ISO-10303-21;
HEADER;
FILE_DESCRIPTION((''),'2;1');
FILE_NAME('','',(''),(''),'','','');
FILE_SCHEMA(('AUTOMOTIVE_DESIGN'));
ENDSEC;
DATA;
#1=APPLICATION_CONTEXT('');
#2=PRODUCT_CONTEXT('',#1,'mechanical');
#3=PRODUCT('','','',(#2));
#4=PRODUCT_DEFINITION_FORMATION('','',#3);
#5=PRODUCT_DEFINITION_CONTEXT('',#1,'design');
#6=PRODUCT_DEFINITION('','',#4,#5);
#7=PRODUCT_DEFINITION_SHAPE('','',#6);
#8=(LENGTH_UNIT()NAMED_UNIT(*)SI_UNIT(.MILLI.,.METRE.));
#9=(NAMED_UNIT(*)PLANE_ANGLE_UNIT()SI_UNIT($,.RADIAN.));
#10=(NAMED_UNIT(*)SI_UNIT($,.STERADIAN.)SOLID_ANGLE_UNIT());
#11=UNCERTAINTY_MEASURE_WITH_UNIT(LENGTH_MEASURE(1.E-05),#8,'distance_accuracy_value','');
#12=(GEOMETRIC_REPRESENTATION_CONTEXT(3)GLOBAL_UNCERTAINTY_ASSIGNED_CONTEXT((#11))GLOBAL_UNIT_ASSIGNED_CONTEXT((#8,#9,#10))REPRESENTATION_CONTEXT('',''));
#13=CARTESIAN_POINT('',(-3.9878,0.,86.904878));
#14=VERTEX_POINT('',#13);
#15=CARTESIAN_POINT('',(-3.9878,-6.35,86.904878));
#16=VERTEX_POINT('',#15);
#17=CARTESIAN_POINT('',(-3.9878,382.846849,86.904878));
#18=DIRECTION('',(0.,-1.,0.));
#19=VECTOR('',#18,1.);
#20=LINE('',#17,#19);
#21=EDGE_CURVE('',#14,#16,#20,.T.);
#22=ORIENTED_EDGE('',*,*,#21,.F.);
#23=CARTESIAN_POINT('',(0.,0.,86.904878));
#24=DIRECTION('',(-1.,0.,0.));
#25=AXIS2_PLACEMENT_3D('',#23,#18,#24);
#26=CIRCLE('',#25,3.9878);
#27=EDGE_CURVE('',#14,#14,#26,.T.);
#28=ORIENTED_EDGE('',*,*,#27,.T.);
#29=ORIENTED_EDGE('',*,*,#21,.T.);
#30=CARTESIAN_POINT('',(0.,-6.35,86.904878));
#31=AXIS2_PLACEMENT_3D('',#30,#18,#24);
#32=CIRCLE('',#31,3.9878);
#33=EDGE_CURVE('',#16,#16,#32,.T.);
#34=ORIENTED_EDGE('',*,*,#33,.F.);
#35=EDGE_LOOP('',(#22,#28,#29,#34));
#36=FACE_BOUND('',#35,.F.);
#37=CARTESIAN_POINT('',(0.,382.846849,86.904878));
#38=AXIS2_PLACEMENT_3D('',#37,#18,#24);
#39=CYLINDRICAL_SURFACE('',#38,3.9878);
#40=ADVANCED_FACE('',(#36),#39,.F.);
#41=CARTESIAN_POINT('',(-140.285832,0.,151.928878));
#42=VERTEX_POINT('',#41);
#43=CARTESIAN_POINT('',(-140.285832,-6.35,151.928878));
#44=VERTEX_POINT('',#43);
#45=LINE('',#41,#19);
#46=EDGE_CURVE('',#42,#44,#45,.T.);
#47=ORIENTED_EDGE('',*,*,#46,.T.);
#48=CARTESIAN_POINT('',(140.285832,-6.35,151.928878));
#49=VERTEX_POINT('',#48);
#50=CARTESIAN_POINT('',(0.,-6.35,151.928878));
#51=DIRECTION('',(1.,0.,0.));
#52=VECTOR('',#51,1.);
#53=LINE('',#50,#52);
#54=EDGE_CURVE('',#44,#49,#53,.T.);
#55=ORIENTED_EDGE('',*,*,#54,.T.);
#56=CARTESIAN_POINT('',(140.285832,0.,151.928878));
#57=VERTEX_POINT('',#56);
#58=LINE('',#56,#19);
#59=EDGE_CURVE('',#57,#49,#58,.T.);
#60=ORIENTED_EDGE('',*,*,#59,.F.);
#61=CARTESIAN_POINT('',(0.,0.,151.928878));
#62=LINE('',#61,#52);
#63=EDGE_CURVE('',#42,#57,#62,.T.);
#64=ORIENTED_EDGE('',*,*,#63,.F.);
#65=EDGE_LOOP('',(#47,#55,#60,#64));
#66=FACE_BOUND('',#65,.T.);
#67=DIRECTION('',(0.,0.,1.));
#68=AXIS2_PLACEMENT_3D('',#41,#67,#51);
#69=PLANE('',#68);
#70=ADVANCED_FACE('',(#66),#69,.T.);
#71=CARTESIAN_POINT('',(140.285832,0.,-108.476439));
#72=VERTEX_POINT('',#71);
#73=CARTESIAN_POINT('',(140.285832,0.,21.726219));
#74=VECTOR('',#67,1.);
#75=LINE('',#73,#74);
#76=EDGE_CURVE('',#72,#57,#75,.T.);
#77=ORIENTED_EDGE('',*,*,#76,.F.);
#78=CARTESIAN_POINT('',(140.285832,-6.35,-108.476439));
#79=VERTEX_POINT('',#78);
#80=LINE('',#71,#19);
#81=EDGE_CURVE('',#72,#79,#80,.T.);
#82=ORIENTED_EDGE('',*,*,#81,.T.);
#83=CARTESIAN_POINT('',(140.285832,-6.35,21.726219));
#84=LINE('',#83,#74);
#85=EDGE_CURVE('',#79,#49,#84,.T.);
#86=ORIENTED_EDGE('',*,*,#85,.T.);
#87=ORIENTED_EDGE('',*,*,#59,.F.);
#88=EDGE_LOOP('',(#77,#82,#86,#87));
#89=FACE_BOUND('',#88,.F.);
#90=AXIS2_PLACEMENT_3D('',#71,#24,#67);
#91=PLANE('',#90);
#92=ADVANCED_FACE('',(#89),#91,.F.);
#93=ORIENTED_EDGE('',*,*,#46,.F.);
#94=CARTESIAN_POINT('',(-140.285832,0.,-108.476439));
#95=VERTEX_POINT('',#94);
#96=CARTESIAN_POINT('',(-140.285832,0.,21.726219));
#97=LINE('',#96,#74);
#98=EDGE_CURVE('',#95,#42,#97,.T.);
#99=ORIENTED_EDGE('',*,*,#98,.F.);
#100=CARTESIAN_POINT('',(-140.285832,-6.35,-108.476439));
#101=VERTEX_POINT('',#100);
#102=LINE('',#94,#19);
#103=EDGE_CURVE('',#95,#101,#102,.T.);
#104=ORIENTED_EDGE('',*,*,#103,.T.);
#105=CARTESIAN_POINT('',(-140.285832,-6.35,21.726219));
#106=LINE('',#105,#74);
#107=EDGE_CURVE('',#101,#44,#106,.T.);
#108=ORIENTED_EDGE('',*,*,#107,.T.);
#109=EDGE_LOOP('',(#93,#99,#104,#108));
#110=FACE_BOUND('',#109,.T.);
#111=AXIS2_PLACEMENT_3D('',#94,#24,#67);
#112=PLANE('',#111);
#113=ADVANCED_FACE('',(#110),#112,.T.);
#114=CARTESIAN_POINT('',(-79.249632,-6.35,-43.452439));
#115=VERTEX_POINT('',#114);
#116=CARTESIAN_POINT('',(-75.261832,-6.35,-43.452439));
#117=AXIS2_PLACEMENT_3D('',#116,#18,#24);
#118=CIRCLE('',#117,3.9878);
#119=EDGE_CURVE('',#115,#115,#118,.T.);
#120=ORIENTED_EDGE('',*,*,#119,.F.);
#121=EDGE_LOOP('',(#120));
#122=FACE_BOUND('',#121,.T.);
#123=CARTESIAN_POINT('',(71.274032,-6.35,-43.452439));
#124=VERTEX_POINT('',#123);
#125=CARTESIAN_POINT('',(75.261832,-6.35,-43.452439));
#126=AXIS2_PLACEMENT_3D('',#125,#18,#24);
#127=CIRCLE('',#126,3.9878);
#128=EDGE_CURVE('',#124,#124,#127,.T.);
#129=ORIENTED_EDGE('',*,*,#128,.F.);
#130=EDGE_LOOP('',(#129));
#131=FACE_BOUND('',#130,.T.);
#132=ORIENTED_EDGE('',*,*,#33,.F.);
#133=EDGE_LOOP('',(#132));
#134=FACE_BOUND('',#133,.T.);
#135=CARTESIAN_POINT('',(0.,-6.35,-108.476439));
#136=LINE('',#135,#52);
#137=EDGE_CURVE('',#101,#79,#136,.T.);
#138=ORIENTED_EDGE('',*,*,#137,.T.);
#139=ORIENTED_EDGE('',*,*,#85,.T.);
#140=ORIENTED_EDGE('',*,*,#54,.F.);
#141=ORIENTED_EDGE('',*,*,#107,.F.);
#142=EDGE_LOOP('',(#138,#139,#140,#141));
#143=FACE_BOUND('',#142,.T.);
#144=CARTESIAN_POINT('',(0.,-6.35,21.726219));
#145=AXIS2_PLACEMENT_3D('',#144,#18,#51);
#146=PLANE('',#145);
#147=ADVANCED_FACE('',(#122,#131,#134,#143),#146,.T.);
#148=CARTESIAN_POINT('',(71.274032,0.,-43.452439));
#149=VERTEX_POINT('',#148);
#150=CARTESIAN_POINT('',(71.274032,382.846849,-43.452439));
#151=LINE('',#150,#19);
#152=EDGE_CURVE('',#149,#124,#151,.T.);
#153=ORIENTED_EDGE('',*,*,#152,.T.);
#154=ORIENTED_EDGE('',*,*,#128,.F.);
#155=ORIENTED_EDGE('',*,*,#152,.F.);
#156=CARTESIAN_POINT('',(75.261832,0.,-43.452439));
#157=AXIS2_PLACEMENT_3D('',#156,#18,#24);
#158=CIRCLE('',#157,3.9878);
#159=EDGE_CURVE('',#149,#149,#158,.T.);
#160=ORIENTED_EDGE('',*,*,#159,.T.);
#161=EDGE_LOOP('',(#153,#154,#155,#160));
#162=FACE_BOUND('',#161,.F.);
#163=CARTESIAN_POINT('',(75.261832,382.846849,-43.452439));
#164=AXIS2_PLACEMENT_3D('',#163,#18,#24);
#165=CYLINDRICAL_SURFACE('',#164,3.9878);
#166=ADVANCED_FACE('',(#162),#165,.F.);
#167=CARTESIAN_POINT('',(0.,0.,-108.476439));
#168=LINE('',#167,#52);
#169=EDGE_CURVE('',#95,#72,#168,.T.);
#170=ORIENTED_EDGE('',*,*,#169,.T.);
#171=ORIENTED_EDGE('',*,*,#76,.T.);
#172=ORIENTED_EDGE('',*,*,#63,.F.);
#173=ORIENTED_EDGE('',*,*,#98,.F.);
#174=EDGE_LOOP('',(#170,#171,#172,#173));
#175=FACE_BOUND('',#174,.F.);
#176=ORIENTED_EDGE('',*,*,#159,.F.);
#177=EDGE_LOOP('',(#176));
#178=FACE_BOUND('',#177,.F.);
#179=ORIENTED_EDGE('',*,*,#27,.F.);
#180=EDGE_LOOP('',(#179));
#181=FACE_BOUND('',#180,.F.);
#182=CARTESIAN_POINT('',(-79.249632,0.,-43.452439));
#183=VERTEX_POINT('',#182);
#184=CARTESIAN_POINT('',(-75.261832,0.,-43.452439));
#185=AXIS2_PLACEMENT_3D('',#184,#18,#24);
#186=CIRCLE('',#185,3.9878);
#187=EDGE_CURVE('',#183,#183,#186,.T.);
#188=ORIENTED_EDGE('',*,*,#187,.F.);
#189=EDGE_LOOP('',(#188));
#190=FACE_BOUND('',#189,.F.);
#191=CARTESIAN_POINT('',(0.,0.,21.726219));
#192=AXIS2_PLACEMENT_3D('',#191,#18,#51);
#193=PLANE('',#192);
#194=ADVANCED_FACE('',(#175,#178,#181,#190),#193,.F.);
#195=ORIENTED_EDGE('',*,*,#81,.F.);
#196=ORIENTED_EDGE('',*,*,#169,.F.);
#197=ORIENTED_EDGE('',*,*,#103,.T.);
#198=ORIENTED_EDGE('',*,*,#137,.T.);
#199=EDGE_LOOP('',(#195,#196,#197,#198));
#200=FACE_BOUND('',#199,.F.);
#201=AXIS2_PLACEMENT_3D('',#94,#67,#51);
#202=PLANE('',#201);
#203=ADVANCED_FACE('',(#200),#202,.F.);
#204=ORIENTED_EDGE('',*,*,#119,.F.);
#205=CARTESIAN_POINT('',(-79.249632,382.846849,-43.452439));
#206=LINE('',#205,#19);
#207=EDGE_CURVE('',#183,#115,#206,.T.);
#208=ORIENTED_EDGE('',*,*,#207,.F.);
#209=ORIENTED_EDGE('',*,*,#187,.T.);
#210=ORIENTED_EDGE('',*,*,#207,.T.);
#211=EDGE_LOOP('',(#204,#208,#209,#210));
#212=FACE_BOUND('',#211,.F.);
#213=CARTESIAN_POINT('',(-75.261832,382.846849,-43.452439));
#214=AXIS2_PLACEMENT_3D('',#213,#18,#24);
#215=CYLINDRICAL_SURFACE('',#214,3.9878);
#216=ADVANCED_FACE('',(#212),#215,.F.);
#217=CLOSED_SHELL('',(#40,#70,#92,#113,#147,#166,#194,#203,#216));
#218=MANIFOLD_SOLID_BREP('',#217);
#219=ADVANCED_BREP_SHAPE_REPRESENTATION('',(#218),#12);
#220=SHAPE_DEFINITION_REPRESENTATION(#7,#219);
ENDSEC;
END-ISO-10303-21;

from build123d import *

# Parameters (mm, degrees)
F0_W     = 280.5716638824
F0_H     = 260.4053167929
F1_DEPTH = 6.35
F2_D     = 7.9756


with BuildPart() as f1:
    # F0 (on Front) → F1 (new body)
    with BuildSketch(Plane.XZ):
        with Locations((0, 21.7262194655)):
            Rectangle(F0_W, F0_H)
        with BuildLine():
            ThreePointArc((-75.2618319412, -51.326438931), (-82.0809159706, -47.389438931), (-82.0809159706, -39.515438931))
            Line((-82.0809159706, -39.515438931), (-6.8190840294, 90.8418778619))
            ThreePointArc((-6.8190840294, 90.8418778619), (0, 94.7788778619), (6.8190840294, 90.8418778619))
            Line((6.8190840294, 90.8418778619), (82.0809159706, -39.515438931))
            ThreePointArc((82.0809159706, -39.515438931), (82.0809159706, -47.389438931), (75.2618319412, -51.326438931))
            Line((75.2618319412, -51.326438931), (-75.2618319412, -51.326438931))
        make_face(mode=Mode.SUBTRACT)
        with BuildLine():
            Line((-6.8190840294, 90.8418778619), (-82.0809159706, -39.515438931))
            ThreePointArc((-82.0809159706, -39.515438931), (-82.0809159706, -47.389438931), (-75.2618319412, -51.326438931))
            Line((-75.2618319412, -51.326438931), (75.2618319412, -51.326438931))
            ThreePointArc((75.2618319412, -51.326438931), (82.0809159706, -47.389438931), (82.0809159706, -39.515438931))
            Line((82.0809159706, -39.515438931), (6.8190840294, 90.8418778619))
            ThreePointArc((6.8190840294, 90.8418778619), (0, 94.7788778619), (-6.8190840294, 90.8418778619))
        make_face()
    extrude(amount=F1_DEPTH)

    # F2 (through all)
    with Locations(Plane(origin=(0, 0, 0), x_dir=(1, 0, 0), z_dir=(0, 1, 0))):
        with Locations((0, -86.9048778619), (-75.2618319412, 43.452438931), (75.2618319412, 43.452438931)):
            Hole(F2_D / 2)


solid = f1.part
